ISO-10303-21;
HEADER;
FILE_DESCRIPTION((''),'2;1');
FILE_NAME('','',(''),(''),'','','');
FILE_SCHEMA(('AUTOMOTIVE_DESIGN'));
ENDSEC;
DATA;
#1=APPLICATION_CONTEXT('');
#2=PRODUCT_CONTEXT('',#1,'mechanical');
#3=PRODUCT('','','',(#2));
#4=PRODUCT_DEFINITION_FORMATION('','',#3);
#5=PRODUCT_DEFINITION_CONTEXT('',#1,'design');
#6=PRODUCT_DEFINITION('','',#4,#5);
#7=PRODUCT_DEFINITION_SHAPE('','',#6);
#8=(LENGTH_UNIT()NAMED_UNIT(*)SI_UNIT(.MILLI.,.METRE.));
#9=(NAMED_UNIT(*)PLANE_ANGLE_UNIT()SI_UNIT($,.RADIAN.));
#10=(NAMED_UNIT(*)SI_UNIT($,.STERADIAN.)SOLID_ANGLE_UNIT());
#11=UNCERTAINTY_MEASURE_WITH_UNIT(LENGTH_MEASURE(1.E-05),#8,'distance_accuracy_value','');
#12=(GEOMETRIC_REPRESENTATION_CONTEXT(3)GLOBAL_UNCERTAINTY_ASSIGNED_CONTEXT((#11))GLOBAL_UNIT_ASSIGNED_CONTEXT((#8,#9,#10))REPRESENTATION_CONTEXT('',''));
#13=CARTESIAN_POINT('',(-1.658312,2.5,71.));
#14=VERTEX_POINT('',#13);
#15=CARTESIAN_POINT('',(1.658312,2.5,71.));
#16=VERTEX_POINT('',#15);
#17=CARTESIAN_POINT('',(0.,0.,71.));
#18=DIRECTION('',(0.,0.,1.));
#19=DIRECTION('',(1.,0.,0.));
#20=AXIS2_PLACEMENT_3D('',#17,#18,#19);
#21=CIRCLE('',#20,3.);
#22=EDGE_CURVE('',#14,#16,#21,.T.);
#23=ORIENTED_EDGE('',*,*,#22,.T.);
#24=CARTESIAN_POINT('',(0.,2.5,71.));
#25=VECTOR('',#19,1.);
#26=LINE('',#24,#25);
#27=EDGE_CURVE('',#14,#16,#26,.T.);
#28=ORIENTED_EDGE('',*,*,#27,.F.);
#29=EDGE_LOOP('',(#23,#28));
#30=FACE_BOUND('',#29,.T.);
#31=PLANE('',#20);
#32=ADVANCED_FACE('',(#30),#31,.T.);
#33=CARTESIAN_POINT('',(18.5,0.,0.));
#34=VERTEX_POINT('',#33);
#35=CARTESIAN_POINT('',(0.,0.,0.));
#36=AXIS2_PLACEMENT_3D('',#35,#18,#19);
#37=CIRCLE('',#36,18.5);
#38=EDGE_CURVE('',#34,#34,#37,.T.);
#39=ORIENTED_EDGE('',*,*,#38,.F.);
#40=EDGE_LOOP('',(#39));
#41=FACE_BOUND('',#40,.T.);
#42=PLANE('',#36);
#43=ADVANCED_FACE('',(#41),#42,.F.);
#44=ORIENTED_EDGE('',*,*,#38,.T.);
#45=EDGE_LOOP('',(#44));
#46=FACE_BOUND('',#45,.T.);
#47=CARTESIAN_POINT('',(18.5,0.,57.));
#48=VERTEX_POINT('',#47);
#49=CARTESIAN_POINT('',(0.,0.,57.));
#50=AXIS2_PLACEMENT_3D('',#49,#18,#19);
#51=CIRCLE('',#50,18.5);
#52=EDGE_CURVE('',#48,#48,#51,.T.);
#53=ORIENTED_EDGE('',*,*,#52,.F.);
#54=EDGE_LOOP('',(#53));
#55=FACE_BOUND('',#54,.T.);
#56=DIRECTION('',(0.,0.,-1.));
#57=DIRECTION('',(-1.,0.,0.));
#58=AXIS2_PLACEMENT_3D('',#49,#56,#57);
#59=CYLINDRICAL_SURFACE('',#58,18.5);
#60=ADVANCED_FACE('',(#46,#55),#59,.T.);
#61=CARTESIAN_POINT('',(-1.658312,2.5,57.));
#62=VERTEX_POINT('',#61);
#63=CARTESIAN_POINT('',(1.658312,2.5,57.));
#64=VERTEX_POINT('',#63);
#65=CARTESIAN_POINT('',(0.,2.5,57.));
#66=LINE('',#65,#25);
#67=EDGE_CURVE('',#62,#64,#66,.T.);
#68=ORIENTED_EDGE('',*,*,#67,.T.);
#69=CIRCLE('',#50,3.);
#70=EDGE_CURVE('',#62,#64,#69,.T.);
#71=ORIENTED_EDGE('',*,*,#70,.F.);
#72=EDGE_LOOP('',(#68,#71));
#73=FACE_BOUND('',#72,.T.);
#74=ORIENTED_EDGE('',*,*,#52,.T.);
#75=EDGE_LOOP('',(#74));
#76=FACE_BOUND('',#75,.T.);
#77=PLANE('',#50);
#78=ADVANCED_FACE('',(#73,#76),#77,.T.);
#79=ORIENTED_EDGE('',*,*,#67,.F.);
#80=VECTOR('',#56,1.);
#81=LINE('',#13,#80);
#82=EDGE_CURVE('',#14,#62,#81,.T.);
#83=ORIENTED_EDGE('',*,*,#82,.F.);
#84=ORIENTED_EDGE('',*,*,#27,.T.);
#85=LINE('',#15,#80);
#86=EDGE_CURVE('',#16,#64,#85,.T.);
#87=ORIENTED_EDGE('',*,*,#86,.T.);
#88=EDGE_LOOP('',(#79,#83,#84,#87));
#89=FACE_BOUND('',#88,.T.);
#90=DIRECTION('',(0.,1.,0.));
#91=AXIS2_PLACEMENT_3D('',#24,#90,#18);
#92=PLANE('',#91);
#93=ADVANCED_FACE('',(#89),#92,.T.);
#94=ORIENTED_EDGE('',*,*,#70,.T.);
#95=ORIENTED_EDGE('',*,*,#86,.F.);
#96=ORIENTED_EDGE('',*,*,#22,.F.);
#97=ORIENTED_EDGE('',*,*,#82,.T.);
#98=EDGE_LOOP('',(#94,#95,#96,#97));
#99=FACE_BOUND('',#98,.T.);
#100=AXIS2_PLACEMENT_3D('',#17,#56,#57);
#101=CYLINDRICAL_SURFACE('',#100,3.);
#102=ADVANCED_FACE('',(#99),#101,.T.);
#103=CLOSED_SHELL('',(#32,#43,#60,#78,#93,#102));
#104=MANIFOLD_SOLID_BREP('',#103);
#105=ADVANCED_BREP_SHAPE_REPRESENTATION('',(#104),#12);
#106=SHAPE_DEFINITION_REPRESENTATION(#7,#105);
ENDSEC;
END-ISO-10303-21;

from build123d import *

# Parameters (mm, degrees)
SKETCH1_R           = 18.5
BOSS_EXTRUDE1_DEPTH = 57
BOSS_EXTRUDE2_DEPTH = 14


with BuildPart() as part:
    # Sketch1 → Boss-Extrude1 (new body)
    with BuildSketch(Plane.XY):
        Circle(SKETCH1_R)
    extrude(amount=BOSS_EXTRUDE1_DEPTH)

    # Sketch2 → Boss-Extrude2 (add)
    with BuildSketch(Plane.XY.offset(57)):
        with BuildLine():
            Line((1.658312395, 2.5), (-1.658312395, 2.5))
            ThreePointArc((-1.658312395, 2.5), (-1.418637165, -2.643382037), (3, 0))
            ThreePointArc((3, 0), (2.643382037, 1.418637165), (1.658312395, 2.5))
        make_face()
    extrude(amount=BOSS_EXTRUDE2_DEPTH)


solid = part.part
